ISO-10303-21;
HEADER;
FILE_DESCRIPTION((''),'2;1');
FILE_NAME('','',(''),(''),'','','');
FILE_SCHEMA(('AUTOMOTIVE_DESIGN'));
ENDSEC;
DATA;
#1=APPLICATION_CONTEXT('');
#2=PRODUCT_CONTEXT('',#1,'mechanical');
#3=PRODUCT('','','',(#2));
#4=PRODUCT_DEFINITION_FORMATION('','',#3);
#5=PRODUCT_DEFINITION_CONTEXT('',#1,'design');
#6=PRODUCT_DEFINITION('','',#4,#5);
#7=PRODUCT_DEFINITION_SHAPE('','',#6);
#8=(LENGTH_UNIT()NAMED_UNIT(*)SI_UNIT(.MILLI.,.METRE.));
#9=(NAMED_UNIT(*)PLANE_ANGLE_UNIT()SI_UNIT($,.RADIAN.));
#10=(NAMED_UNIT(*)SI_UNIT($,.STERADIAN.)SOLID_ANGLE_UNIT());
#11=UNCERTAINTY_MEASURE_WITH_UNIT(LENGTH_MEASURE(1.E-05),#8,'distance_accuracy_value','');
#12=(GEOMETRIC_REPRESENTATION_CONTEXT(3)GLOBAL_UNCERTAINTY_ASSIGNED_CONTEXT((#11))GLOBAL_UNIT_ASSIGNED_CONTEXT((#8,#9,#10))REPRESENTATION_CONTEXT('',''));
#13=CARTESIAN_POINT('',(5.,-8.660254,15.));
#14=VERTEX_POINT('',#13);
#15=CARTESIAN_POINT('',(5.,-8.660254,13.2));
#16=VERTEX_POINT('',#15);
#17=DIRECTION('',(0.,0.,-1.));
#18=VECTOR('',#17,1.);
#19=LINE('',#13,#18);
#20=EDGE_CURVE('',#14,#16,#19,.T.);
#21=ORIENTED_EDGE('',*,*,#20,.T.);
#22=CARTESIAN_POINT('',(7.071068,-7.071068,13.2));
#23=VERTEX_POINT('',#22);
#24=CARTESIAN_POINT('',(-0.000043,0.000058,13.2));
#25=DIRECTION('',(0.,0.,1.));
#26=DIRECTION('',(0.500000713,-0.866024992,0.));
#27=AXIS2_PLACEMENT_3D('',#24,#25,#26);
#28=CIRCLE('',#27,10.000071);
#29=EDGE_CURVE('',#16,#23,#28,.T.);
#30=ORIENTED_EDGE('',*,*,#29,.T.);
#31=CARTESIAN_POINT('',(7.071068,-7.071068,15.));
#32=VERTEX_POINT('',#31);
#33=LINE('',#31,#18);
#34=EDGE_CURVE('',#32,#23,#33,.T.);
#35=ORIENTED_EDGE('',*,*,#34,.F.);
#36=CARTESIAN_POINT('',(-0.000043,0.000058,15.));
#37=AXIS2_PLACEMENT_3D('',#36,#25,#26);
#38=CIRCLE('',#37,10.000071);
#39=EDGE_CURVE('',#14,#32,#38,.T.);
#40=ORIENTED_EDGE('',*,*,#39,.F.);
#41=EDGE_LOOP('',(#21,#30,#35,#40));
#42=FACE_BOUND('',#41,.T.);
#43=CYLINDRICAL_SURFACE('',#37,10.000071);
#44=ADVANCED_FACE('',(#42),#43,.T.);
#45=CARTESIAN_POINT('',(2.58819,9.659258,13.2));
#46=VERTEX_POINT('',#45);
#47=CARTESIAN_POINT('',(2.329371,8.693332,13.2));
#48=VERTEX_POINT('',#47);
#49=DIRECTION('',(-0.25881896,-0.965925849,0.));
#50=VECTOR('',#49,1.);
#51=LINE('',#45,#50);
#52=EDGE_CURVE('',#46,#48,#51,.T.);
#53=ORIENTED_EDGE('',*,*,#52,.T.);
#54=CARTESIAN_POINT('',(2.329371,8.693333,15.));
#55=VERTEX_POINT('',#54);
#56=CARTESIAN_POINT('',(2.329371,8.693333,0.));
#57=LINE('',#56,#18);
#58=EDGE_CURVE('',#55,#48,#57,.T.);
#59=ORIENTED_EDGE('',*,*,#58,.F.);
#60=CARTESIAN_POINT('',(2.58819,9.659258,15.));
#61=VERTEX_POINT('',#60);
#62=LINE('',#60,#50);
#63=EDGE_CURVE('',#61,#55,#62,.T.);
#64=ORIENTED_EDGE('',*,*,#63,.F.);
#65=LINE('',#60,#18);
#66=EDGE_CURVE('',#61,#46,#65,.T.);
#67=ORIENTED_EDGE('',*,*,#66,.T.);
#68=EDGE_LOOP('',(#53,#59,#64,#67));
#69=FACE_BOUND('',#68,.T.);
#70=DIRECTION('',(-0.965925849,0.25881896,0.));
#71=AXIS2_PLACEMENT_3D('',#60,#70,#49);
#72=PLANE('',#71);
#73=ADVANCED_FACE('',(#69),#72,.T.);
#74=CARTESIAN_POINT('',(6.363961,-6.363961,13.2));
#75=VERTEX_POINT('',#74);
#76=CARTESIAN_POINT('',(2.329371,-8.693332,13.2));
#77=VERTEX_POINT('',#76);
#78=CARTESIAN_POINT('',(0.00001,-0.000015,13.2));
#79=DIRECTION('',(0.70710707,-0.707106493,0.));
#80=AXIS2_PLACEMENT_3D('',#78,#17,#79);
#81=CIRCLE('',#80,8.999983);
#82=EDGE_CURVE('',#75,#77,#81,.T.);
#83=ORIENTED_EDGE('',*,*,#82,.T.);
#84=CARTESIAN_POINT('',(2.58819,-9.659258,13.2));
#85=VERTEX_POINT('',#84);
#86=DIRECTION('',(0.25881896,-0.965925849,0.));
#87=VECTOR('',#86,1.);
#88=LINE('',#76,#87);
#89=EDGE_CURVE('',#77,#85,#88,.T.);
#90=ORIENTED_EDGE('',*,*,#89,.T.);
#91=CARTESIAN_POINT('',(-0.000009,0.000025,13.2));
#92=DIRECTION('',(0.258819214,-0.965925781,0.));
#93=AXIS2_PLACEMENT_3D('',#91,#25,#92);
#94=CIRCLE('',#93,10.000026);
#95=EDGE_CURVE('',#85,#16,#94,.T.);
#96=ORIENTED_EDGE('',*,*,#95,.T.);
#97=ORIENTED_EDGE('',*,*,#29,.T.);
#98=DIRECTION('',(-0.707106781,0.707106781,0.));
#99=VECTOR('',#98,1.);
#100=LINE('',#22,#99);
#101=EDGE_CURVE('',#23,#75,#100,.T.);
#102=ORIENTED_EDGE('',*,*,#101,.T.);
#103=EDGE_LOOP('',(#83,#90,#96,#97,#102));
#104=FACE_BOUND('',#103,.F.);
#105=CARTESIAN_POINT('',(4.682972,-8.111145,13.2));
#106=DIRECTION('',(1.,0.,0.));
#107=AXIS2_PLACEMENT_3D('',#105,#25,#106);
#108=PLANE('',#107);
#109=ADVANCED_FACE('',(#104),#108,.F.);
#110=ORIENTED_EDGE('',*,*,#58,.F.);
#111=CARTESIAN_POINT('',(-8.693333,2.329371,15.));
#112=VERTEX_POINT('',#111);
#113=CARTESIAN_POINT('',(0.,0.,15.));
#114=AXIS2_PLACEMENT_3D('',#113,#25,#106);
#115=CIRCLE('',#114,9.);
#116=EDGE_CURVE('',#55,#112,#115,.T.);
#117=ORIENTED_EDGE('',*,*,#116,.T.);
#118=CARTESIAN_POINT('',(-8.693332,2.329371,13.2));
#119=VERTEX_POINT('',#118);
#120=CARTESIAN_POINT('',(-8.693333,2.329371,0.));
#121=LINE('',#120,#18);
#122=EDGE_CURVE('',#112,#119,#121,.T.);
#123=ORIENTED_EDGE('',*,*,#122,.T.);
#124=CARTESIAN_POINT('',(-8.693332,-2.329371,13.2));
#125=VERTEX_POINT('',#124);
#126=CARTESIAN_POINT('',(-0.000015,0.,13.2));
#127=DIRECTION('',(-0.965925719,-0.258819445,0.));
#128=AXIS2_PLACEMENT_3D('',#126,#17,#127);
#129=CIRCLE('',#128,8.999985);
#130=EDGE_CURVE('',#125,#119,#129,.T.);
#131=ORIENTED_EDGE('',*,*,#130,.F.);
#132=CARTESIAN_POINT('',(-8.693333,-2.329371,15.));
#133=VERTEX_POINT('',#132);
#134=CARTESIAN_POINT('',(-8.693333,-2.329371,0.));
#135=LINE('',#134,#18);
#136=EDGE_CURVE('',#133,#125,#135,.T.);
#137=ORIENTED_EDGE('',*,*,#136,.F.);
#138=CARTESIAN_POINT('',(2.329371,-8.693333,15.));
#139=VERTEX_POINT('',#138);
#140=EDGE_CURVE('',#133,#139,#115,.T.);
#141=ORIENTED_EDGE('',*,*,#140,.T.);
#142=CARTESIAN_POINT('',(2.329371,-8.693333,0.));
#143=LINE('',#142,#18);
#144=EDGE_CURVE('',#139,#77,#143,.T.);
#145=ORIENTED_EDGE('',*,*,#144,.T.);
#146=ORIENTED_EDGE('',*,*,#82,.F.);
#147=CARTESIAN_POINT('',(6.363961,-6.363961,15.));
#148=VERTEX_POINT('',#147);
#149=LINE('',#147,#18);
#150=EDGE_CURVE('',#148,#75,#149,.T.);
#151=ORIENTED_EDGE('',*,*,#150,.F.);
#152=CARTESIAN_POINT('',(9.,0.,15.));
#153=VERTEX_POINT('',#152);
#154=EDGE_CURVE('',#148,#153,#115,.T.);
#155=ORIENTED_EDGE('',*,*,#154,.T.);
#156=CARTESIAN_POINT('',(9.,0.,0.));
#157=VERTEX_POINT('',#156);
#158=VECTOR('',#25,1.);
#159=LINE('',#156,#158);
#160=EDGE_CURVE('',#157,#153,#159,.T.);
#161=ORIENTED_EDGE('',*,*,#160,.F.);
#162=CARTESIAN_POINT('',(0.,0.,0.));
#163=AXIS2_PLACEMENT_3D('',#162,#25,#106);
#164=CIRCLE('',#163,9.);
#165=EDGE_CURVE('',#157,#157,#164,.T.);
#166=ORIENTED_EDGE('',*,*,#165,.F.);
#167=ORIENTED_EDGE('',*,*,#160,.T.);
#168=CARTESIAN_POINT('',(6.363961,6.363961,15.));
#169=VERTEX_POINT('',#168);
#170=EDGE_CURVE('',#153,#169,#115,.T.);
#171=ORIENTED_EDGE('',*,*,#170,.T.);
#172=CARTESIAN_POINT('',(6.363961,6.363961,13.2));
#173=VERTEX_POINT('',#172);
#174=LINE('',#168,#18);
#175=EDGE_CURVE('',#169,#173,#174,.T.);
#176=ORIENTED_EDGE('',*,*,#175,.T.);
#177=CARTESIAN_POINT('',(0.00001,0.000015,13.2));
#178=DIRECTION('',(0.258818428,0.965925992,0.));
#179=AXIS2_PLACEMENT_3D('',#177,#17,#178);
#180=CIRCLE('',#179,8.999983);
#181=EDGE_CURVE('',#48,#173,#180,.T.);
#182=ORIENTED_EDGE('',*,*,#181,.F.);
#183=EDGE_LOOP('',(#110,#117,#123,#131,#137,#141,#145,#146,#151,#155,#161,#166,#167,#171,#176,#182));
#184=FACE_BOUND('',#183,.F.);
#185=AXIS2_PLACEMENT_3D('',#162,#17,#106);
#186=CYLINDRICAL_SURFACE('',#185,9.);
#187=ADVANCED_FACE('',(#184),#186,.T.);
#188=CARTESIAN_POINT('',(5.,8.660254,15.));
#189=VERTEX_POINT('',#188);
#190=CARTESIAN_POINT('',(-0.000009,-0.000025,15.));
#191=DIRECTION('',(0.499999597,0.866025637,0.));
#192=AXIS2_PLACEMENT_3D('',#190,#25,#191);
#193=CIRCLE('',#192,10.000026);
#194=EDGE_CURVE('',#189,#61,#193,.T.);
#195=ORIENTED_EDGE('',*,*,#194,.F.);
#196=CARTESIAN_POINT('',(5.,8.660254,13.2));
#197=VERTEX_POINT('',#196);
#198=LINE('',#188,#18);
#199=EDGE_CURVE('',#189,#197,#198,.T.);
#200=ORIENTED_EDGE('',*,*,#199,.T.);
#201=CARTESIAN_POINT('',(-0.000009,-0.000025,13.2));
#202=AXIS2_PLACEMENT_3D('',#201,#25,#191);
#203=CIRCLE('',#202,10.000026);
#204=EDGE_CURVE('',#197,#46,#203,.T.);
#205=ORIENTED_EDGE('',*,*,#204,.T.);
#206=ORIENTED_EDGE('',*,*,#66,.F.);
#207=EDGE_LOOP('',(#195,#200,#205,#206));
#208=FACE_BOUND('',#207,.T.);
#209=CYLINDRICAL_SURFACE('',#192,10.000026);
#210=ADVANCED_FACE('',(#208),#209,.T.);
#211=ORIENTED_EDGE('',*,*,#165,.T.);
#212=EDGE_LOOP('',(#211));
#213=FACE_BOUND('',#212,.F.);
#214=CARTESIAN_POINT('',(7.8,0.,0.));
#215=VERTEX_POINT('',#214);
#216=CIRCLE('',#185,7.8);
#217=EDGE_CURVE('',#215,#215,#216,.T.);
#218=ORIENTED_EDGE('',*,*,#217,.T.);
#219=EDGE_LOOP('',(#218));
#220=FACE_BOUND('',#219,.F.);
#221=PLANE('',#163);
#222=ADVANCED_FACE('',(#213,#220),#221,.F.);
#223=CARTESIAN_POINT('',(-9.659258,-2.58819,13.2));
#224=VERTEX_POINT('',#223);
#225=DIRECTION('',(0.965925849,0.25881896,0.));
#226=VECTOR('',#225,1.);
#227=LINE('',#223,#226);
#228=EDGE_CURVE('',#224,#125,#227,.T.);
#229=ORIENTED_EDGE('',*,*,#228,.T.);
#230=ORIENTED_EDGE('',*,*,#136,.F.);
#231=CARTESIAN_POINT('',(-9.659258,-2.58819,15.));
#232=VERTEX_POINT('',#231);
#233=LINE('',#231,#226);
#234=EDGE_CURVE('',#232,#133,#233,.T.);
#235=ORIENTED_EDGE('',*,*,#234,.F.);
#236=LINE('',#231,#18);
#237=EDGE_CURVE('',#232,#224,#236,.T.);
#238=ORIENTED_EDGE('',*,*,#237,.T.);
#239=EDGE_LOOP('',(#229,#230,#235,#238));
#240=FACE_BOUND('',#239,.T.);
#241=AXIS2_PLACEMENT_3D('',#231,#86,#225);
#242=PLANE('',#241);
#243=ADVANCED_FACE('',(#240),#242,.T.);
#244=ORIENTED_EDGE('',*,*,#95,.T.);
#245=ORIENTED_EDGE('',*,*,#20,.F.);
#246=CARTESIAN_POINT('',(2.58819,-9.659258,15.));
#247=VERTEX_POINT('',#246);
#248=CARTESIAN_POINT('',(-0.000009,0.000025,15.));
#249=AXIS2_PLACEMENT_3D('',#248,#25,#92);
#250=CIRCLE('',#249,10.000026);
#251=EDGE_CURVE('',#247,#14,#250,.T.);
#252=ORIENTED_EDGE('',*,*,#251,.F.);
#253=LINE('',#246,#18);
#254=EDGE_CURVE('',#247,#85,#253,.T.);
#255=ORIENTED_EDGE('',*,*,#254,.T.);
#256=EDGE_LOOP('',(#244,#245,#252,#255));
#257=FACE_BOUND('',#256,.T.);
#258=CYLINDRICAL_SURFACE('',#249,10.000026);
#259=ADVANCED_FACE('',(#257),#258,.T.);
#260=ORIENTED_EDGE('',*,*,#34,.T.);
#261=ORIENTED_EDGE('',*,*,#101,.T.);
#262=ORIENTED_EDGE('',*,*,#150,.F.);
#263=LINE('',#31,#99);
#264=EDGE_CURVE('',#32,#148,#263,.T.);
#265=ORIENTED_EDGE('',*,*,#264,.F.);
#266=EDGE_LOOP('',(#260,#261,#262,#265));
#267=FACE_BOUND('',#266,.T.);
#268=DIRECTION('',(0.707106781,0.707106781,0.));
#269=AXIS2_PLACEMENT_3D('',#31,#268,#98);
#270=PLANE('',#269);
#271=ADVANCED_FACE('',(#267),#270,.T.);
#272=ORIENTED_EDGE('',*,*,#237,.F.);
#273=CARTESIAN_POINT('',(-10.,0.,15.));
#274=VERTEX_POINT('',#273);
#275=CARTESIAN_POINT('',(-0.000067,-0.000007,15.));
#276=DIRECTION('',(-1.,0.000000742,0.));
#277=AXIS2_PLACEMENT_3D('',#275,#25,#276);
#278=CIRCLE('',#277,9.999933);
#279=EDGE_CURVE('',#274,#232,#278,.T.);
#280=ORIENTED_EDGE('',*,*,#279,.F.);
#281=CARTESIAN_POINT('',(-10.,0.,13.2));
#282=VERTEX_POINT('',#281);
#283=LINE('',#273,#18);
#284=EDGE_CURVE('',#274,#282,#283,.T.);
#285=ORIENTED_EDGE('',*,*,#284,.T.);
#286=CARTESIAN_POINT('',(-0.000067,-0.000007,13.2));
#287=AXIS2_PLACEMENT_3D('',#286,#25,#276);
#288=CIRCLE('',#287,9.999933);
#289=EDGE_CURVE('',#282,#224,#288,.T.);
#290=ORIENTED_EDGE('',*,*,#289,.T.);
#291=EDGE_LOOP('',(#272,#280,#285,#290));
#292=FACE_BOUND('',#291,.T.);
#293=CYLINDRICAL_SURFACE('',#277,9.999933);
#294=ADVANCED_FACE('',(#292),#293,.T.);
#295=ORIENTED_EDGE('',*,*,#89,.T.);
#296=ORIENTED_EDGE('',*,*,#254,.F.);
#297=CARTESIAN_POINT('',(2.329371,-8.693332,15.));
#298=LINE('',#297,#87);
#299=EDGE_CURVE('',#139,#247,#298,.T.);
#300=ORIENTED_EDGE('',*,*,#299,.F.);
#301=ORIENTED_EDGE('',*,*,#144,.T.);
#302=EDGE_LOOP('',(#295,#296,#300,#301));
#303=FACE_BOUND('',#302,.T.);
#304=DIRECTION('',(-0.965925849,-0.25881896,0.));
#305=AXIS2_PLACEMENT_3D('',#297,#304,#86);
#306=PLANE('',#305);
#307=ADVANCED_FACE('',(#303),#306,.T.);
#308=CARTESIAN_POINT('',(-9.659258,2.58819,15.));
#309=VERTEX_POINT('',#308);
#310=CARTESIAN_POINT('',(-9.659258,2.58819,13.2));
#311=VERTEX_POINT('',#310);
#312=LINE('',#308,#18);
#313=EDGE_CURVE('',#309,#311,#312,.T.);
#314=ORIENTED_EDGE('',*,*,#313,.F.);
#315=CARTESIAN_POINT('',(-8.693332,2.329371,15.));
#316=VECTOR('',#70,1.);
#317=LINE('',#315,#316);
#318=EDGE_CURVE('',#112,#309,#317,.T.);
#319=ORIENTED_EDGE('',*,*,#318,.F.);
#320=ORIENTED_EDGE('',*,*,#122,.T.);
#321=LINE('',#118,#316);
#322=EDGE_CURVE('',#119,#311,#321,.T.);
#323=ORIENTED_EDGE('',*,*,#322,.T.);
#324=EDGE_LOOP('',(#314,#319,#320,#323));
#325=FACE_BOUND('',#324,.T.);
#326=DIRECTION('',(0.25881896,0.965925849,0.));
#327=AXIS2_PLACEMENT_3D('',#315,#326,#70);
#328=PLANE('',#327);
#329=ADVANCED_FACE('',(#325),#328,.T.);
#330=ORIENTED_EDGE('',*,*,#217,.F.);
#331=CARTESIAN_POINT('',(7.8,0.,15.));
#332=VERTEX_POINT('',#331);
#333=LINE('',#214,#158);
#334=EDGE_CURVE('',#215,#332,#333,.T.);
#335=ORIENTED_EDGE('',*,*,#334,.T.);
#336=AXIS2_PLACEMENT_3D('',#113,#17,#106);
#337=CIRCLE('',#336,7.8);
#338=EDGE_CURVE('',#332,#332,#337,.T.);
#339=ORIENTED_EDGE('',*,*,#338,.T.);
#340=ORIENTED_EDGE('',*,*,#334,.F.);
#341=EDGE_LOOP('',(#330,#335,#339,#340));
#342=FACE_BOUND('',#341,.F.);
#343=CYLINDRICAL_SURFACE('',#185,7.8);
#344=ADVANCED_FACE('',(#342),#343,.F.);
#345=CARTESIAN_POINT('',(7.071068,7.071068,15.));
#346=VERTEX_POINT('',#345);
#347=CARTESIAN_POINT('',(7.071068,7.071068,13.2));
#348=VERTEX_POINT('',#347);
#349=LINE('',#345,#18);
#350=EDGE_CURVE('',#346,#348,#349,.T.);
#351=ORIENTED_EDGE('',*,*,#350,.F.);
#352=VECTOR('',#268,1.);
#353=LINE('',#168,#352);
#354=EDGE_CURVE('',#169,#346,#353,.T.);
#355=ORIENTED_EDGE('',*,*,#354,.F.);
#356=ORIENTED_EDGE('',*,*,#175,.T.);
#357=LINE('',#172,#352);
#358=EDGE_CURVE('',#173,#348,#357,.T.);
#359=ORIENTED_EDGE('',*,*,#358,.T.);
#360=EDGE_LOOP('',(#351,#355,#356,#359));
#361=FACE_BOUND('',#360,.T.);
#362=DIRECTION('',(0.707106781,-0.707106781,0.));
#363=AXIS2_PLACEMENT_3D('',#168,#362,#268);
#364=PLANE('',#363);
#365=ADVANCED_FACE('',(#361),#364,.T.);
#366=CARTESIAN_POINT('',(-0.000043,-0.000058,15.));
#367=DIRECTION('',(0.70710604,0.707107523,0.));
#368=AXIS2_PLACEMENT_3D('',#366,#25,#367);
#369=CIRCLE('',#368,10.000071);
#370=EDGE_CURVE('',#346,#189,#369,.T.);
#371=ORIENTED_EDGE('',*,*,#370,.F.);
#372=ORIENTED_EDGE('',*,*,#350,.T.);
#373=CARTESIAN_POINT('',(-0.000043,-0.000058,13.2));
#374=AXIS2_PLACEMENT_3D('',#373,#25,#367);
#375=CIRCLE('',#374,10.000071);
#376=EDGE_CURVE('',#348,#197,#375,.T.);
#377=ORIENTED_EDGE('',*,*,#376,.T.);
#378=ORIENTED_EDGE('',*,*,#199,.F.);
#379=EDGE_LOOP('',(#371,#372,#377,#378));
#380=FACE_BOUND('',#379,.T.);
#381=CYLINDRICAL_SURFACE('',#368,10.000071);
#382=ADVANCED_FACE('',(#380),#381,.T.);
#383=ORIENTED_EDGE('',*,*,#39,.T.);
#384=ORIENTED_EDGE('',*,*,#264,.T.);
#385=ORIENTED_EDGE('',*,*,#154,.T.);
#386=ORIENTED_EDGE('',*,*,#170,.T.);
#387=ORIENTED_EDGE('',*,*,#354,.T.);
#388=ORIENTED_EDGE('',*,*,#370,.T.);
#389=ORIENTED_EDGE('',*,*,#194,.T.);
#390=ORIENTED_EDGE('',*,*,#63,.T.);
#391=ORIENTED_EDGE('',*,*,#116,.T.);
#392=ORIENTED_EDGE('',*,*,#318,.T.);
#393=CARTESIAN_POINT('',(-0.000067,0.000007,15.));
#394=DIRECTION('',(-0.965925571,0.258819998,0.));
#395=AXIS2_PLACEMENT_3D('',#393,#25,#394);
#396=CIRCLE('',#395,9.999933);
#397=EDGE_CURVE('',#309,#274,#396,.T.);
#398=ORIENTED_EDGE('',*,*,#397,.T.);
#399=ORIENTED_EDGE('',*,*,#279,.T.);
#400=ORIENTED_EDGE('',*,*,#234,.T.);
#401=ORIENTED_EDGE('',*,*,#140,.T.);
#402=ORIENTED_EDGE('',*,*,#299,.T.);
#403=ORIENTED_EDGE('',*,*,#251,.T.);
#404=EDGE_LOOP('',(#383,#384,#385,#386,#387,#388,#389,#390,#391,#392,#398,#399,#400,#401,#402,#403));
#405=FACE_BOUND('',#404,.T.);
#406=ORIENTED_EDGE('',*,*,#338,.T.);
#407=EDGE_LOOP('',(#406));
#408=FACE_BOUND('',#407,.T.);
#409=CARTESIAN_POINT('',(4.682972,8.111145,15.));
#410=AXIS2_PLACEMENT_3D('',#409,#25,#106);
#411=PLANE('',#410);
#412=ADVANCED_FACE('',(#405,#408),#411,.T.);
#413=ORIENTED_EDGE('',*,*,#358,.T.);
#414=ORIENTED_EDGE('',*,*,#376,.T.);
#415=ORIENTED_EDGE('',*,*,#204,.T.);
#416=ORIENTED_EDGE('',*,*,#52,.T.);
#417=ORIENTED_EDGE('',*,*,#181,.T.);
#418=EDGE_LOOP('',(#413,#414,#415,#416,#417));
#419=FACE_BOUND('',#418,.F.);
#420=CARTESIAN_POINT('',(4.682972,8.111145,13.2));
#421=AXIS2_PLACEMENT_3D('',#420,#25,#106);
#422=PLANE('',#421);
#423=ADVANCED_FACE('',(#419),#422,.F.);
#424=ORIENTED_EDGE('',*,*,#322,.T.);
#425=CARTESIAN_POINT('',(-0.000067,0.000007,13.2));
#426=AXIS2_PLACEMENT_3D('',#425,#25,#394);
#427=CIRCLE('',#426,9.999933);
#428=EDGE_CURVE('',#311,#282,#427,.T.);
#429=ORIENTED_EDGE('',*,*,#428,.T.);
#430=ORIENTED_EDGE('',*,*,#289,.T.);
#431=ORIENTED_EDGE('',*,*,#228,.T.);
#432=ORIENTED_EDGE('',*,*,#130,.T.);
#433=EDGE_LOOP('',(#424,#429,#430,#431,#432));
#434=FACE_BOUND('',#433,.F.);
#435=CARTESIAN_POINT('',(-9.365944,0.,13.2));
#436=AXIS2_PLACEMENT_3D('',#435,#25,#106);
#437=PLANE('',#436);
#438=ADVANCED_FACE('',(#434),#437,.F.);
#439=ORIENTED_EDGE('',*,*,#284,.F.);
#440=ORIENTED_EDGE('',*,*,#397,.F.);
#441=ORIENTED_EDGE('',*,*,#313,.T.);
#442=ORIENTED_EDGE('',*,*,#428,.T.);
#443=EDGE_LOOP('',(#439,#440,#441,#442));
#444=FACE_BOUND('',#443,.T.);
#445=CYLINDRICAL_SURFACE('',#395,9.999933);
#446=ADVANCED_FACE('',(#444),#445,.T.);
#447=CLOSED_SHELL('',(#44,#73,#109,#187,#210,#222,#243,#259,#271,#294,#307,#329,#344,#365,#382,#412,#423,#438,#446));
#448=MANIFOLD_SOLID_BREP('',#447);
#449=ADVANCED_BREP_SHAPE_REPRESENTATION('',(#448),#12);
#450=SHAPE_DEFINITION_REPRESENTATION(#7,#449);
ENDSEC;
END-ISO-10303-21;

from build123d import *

# Parameters (mm, degrees)
F0_R     = 9
F1_DEPTH = 15
F3_DEPTH = 1.8
F4_R     = 7.8
F5_DEPTH = 25


with BuildPart() as f1:
    # F0 (on Top) → F1 (new body)
    with BuildSketch(Plane.XY):
        Circle(F0_R)
    extrude(amount=F1_DEPTH)

    # F2 (on face) → F3 (join)
    with BuildSketch(Plane.XY.offset(15)):
        with BuildLine():
            Line((6.363961, 6.363961), (7.071068, 7.071068))
            ThreePointArc((7.071068, 7.071068), (6.087614, 7.933533), (5, 8.660254))
            ThreePointArc((5, 8.660254), (3.826834, 9.238795), (2.58819, 9.659258))
            Line((2.58819, 9.659258), (2.329371, 8.693332))
            ThreePointArc((2.329371, 8.693332), (4.5, 7.794229), (6.363961, 6.363961))
        make_face()
        with BuildLine():
            ThreePointArc((5, -8.660254), (6.087614, -7.933533), (7.071068, -7.071068))
            Line((7.071068, -7.071068), (6.363961, -6.363961))
            ThreePointArc((6.363961, -6.363961), (4.5, -7.794229), (2.329371, -8.693332))
            Line((2.329371, -8.693332), (2.58819, -9.659258))
            ThreePointArc((2.58819, -9.659258), (3.826834, -9.238795), (5, -8.660254))
        make_face()
        with BuildLine():
            Line((-8.693332, 2.329371), (-9.659258, 2.58819))
            ThreePointArc((-9.659258, 2.58819), (-9.914449, 1.305262), (-10, 0))
            ThreePointArc((-10, 0), (-9.914449, -1.305262), (-9.659258, -2.58819))
            Line((-9.659258, -2.58819), (-8.693332, -2.329371))
            ThreePointArc((-8.693332, -2.329371), (-9, 0), (-8.693332, 2.329371))
        make_face()
    extrude(amount=-F3_DEPTH)

    # F4 (on face) → F5 (cut)
    with BuildSketch(Plane(origin=(0, 0, 0), x_dir=(1, 0, 0), z_dir=(0, 0, -1))):
        Circle(F4_R)
    extrude(amount=-F5_DEPTH, mode=Mode.SUBTRACT)


solid = f1.part
